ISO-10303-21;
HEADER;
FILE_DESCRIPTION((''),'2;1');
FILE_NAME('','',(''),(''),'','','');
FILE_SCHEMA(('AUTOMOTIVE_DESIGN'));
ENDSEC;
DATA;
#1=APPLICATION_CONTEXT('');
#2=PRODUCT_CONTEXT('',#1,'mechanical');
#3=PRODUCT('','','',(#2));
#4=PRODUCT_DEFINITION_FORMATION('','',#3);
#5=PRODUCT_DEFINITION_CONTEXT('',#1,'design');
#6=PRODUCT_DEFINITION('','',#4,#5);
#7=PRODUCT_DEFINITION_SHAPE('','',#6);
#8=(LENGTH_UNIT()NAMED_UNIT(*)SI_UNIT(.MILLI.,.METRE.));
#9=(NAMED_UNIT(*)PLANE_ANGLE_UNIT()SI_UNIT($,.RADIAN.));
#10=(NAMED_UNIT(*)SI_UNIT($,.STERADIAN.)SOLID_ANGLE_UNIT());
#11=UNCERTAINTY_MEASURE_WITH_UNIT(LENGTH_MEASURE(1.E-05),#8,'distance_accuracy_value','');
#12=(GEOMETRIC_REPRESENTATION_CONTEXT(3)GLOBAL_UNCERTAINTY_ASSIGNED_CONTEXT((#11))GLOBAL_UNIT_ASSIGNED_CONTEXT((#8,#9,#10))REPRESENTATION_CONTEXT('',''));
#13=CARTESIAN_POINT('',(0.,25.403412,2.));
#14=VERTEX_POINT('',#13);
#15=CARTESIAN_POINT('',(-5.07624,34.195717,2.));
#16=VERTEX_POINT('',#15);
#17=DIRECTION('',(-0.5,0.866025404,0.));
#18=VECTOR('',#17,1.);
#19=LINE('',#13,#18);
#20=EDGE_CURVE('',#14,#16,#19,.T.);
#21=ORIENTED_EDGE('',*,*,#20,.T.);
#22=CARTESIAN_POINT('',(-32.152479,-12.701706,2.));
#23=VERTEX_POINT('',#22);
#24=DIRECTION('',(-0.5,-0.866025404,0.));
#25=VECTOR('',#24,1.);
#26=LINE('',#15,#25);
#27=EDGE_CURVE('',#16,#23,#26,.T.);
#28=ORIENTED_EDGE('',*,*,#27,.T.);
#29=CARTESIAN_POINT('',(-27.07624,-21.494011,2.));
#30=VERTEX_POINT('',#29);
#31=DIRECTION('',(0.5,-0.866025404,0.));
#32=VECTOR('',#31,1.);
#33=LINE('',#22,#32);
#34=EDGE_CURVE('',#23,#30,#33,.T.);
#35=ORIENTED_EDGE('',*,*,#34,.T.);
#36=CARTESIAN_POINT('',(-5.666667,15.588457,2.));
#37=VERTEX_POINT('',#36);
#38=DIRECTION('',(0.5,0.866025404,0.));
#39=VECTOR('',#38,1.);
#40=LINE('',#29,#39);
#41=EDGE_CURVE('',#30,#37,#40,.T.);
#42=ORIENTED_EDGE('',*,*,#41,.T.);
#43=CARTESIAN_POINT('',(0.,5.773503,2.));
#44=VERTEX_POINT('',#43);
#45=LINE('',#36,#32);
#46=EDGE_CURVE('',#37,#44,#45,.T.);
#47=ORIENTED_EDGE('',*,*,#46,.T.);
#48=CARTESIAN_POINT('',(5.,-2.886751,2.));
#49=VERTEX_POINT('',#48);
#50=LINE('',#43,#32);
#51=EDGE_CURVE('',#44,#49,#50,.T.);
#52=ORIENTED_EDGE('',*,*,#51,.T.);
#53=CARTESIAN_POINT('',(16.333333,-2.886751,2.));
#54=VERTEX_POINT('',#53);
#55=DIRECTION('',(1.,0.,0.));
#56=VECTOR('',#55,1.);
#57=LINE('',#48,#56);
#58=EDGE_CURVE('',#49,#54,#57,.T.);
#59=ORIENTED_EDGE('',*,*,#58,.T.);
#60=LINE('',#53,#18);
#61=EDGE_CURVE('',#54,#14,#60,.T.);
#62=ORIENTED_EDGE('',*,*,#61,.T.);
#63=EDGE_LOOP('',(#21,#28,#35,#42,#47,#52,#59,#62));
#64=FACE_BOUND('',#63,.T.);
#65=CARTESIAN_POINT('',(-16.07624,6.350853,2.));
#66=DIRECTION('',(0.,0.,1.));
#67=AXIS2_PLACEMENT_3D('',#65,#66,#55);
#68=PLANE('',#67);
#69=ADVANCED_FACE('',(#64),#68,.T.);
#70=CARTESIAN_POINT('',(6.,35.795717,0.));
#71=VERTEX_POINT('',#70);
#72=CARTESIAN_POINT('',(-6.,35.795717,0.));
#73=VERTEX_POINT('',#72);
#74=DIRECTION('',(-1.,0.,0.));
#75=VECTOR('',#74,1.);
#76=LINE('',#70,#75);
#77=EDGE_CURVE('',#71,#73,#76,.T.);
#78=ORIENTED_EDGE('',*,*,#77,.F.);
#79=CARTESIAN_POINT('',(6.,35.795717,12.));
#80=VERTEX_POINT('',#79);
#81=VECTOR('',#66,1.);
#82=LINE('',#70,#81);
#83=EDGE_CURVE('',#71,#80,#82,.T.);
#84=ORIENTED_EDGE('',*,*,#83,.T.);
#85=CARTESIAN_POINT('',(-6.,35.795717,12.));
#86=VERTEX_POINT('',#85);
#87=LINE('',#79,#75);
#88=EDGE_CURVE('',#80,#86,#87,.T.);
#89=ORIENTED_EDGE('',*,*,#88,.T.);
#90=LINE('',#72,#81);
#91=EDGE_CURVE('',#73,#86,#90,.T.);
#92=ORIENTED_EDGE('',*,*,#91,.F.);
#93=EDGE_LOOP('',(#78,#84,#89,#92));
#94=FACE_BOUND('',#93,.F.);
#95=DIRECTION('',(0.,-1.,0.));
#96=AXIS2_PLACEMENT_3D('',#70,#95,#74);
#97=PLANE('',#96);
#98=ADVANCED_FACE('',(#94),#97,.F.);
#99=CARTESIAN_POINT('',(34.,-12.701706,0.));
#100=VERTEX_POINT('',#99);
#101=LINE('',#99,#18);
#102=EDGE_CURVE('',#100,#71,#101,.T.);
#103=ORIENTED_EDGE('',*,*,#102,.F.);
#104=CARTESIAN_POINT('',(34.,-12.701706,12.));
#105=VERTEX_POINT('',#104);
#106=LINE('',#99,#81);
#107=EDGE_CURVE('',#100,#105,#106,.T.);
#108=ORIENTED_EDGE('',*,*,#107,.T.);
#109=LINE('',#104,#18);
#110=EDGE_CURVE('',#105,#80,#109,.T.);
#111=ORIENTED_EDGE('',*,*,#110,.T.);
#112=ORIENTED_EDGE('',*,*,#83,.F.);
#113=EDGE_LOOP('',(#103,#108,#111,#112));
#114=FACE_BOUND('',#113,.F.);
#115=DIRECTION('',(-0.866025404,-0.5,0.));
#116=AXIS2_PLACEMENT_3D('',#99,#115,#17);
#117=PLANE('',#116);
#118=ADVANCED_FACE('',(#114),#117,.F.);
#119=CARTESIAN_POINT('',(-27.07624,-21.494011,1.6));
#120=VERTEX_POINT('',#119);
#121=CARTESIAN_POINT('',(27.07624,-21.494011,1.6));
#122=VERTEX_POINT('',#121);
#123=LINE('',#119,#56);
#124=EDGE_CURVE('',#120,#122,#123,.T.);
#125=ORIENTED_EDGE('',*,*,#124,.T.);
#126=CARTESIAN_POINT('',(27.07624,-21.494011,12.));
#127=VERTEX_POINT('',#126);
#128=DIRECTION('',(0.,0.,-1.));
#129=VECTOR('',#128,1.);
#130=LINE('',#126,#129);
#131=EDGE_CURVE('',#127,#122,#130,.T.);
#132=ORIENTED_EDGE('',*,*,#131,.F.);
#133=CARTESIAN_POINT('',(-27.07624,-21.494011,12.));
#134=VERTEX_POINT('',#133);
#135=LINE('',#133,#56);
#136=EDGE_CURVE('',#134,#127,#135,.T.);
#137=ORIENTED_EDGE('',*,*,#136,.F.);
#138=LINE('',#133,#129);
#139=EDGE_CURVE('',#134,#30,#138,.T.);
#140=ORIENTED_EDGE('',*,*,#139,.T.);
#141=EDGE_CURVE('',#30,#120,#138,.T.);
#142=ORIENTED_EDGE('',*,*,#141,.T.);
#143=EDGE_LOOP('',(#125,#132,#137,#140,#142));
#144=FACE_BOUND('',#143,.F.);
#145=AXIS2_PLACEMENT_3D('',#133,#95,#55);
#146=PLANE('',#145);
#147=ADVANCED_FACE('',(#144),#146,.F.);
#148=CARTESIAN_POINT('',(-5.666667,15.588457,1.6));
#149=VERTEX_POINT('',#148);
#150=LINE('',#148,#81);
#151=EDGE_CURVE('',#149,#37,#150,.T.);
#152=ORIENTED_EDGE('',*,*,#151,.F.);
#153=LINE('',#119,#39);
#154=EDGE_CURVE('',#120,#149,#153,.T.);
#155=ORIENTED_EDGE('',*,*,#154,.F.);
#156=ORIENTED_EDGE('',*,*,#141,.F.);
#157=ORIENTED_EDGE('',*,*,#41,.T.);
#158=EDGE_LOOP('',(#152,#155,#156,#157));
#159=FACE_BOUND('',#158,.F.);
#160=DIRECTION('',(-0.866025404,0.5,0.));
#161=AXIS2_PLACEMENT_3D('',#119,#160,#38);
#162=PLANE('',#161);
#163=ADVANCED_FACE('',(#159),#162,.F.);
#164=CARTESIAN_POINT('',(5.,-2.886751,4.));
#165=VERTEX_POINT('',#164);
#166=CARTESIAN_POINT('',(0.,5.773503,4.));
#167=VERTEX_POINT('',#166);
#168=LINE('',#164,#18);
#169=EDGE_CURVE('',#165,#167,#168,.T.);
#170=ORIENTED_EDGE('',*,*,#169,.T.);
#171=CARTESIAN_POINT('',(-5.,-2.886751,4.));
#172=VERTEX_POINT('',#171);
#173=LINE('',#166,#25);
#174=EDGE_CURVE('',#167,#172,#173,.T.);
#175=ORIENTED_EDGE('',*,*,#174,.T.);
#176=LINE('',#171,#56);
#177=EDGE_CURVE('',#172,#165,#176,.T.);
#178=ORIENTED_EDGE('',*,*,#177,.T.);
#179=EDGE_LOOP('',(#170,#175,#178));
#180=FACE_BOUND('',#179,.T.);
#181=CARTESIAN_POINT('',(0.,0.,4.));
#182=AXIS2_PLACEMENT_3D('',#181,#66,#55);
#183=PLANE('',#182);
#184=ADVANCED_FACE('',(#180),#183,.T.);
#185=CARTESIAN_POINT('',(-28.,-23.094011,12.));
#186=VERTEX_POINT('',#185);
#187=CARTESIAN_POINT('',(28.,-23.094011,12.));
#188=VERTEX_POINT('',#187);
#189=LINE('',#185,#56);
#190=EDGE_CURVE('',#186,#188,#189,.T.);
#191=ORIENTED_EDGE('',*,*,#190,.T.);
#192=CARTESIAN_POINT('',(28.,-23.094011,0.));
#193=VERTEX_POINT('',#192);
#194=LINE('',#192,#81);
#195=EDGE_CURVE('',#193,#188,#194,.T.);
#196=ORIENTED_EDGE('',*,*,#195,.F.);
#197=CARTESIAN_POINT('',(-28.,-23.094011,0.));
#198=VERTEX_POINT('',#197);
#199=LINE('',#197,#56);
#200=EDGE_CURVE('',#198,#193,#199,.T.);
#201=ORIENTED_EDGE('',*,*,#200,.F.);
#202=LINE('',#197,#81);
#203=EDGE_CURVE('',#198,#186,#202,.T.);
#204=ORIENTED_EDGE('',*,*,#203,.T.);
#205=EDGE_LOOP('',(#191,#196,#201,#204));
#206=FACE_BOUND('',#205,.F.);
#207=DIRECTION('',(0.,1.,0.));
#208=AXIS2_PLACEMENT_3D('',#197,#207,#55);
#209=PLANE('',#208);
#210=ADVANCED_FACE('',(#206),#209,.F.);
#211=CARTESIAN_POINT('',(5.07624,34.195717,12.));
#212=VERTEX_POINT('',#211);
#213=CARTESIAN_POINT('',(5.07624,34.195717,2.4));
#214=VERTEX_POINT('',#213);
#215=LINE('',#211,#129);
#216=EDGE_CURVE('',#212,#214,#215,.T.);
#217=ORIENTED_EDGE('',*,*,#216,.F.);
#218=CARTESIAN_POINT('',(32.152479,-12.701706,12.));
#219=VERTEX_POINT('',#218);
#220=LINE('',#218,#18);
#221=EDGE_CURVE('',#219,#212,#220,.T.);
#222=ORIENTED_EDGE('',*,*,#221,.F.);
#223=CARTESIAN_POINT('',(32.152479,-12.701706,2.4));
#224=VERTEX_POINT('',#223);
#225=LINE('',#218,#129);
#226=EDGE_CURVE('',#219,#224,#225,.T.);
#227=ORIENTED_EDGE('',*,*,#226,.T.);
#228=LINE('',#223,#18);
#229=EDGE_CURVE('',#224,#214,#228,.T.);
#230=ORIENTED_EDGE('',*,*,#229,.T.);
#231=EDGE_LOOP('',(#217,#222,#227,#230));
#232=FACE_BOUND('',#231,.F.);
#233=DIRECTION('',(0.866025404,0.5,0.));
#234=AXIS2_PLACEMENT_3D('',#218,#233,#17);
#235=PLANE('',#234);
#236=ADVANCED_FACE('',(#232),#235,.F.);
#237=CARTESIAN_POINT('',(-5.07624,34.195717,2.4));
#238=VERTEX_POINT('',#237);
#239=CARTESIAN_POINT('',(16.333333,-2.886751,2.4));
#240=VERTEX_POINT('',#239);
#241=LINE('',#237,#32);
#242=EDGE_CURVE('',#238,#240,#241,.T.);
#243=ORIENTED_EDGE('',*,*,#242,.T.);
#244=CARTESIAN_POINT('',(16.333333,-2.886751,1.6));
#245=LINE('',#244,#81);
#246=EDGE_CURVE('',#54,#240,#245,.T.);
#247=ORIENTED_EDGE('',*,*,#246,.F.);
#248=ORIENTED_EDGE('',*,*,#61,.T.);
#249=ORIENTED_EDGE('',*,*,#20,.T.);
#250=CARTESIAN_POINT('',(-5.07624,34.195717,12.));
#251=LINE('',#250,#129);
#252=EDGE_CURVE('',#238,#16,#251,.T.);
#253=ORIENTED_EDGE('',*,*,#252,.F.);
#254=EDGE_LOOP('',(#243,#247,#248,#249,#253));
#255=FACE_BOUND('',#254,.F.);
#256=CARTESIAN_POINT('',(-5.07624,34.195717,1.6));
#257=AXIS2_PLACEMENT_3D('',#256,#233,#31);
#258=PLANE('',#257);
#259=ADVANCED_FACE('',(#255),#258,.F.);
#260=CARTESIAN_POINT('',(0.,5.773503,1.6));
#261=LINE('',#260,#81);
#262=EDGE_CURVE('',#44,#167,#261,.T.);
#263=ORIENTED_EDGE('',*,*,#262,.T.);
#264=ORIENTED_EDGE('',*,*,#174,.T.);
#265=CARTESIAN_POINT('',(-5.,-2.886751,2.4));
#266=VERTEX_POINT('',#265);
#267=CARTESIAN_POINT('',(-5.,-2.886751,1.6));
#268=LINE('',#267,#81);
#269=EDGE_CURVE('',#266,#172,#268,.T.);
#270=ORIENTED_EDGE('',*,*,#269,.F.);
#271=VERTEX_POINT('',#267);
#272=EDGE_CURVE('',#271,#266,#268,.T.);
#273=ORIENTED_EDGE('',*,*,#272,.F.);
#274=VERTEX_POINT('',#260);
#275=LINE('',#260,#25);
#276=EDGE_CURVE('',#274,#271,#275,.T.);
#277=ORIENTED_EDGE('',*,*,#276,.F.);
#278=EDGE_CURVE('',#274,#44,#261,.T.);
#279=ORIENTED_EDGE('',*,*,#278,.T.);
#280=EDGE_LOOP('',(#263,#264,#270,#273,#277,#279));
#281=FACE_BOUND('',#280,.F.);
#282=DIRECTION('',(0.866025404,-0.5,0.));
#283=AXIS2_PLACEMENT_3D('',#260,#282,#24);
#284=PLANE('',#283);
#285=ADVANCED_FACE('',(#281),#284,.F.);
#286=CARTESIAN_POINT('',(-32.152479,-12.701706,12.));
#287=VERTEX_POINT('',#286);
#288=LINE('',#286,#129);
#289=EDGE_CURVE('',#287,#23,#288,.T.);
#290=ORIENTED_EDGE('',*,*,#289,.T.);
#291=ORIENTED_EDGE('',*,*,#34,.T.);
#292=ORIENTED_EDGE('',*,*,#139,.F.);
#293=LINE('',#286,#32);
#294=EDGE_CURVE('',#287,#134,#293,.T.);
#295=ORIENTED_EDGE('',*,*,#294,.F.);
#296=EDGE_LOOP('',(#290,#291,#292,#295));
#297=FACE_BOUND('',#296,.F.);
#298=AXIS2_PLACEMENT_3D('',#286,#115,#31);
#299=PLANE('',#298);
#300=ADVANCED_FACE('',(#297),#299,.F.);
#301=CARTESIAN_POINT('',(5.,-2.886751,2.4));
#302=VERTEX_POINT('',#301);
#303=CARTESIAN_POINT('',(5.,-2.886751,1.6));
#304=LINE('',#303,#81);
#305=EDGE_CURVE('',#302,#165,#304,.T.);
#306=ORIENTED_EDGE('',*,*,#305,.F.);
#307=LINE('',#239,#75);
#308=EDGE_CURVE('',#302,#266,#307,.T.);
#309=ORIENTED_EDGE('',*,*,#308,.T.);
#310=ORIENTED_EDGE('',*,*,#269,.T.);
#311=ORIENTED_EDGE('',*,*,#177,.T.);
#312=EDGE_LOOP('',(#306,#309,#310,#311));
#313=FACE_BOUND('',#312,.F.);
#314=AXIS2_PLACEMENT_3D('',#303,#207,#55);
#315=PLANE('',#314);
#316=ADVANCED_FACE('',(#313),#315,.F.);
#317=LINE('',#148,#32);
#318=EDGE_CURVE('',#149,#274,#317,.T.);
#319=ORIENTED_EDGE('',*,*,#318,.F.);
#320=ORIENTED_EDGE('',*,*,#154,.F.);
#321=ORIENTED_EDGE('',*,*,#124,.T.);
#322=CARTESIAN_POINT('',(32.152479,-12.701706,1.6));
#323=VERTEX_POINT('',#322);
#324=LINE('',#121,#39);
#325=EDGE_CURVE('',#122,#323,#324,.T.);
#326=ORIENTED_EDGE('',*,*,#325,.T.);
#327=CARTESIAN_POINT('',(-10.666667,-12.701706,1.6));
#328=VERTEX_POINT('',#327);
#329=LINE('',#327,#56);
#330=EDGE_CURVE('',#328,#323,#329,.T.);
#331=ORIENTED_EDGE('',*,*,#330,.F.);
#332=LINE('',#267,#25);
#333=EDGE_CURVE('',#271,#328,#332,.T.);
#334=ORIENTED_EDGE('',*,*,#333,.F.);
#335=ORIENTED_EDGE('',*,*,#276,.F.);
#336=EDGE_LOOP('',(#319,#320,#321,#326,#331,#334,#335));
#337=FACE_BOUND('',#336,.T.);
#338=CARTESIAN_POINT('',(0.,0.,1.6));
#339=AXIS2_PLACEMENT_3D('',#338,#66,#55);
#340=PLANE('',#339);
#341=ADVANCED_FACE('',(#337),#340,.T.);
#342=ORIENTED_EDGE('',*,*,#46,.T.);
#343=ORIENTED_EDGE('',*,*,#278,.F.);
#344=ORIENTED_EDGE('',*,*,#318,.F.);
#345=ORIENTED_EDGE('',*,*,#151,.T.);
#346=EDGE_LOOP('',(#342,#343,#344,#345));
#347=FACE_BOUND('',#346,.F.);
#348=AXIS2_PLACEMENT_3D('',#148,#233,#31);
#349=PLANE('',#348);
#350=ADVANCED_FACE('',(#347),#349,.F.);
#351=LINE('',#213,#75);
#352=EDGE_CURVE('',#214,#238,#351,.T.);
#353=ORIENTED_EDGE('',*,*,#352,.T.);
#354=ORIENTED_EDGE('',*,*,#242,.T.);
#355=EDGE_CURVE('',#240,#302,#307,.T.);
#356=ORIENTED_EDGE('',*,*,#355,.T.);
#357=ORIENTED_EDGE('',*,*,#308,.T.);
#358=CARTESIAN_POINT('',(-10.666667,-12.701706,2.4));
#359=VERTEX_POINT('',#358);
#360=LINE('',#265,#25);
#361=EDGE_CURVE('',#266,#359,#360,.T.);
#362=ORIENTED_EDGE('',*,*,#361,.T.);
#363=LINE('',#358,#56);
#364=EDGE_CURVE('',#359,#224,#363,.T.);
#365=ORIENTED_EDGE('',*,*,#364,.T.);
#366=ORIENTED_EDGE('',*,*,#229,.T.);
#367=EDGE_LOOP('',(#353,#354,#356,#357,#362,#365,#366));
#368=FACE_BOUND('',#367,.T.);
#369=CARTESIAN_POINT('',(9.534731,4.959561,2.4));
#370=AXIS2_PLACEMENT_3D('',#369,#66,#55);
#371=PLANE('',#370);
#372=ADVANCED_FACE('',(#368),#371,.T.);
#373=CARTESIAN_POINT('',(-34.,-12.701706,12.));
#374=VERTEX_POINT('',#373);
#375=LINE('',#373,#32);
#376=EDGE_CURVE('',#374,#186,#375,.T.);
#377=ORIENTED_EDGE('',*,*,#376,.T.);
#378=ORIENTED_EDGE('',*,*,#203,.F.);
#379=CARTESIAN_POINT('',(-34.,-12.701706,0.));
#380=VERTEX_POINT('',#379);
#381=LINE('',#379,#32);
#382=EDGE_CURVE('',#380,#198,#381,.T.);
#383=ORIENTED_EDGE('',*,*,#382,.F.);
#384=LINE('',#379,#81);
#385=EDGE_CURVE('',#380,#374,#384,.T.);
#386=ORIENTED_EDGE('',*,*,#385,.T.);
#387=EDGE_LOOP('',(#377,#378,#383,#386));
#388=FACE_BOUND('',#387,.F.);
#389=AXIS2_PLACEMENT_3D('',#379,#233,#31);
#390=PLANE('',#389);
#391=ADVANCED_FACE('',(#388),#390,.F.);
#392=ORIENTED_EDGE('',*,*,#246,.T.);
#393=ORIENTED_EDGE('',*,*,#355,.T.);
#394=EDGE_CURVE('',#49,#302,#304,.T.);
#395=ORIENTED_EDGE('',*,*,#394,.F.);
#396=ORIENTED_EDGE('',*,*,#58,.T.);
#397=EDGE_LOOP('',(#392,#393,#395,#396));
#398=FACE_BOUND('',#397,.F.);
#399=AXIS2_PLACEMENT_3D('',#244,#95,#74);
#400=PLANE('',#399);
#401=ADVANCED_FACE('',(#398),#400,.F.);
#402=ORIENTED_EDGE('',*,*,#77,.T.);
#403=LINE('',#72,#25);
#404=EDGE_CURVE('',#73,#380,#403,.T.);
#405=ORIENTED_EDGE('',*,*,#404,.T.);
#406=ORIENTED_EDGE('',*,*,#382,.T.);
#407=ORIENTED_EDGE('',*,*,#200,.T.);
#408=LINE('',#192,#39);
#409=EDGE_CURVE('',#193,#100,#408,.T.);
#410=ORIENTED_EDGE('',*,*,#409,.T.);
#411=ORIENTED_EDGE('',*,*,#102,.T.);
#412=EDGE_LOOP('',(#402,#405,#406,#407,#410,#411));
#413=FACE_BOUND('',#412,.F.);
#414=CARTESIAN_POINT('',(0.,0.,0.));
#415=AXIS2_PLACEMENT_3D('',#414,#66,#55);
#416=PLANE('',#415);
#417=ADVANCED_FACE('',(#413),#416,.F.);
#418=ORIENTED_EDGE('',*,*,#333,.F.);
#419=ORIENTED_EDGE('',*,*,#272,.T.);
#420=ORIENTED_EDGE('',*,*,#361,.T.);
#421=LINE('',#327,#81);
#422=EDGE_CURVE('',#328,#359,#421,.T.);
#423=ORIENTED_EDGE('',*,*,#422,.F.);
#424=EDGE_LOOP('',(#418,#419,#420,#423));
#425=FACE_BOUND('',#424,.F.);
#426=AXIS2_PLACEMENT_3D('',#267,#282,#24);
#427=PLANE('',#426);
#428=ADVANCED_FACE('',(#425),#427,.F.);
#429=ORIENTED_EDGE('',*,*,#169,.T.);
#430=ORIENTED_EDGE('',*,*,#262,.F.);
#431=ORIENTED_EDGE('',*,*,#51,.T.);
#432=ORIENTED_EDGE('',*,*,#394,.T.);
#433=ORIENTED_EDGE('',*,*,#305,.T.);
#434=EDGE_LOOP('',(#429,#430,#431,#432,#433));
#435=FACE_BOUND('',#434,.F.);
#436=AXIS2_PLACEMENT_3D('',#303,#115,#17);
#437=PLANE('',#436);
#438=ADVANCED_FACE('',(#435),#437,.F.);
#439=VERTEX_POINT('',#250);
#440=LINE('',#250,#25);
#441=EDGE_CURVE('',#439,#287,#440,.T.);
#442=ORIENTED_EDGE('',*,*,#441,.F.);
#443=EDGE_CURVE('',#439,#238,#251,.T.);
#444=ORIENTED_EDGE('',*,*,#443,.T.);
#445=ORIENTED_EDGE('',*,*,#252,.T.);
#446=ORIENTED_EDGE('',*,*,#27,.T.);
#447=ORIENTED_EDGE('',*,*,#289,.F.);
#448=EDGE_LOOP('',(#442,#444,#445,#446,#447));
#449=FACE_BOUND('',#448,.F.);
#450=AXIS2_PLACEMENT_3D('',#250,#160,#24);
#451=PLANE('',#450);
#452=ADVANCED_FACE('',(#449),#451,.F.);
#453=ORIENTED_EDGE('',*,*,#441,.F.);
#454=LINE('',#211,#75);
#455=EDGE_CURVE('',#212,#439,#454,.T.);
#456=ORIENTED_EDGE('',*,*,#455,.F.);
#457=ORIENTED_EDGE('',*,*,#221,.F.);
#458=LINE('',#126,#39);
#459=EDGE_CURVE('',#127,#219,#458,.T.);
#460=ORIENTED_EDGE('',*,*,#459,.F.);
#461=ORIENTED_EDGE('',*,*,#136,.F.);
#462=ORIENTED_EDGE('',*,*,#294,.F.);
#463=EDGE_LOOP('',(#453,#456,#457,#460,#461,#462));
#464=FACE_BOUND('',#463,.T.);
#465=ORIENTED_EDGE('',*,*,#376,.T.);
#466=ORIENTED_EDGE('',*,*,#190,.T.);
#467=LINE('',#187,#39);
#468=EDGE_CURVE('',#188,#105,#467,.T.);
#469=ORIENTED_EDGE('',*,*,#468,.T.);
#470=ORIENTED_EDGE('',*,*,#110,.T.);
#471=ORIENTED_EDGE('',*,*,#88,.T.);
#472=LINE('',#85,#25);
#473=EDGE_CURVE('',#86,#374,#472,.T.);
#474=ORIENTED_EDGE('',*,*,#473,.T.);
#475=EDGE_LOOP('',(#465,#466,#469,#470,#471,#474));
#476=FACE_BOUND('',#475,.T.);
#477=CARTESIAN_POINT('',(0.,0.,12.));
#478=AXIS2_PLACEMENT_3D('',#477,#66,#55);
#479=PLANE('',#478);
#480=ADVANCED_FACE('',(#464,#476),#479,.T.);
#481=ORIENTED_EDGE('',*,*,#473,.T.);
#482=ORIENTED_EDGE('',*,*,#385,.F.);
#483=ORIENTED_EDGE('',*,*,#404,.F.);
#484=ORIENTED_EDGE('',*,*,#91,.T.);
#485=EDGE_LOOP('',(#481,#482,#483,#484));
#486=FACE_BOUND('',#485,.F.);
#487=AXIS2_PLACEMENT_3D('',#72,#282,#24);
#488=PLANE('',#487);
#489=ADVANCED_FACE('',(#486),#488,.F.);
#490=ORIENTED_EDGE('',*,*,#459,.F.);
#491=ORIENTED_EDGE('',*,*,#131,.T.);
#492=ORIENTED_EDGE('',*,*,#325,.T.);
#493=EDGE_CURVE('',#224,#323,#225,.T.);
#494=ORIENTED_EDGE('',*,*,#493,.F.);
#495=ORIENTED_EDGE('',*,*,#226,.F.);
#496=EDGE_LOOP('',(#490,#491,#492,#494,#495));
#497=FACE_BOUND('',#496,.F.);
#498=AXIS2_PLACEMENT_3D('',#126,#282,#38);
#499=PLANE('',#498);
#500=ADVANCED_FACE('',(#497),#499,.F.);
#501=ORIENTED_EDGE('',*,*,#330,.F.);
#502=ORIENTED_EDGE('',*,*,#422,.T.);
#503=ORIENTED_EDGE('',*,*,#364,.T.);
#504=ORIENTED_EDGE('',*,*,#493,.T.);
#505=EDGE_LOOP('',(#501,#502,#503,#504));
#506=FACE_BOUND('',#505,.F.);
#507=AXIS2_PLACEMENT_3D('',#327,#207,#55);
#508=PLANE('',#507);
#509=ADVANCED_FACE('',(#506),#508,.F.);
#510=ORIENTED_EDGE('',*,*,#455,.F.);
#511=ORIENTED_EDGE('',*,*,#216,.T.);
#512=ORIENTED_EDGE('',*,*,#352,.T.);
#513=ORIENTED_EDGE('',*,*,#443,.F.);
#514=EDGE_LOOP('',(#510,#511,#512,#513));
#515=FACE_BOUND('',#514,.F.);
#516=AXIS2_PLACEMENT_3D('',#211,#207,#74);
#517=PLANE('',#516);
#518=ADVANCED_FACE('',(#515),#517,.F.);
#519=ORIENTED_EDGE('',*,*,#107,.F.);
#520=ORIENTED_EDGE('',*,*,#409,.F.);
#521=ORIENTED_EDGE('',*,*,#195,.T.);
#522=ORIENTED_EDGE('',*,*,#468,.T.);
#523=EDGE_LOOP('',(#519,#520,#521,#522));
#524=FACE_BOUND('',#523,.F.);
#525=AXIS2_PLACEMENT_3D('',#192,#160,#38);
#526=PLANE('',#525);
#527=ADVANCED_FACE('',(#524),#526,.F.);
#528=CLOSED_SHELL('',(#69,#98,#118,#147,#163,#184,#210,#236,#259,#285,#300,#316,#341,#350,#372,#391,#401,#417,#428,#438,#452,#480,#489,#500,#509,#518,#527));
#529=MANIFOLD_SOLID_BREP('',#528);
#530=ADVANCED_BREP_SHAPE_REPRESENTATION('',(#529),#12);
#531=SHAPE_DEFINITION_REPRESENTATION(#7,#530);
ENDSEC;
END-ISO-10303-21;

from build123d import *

# Parameters (mm, degrees)
F4_DEPTH  = 12
F6_DEPTH  = 10.4
F8_DEPTH  = 2.4
F10_DEPTH = 0.4
F12_DEPTH = 0.8


with BuildPart() as f4:
    # F3 (on Top) → F4 (new body)
    with BuildSketch(Plane.XY):
        Polygon((-28, -23.0940107676), (28, -23.0940107676), (34, -12.7017059222), (6, 35.7957166898), (-6, 35.7957166898), (-34, -12.7017059222), align=None)
    extrude(amount=F4_DEPTH)

    # F5 (on face) → F6 (cut)
    with BuildSketch(Plane.XY.offset(12)):
        Polygon((32.1524791386, -12.7017059222), (5.0762395693, 34.1957166898), (-5.0762395693, 34.1957166898), (-32.1524791386, -12.7017059222), (-27.0762395693, -21.4940107676), (27.0762395693, -21.4940107676), align=None)
    extrude(amount=-F6_DEPTH, mode=Mode.SUBTRACT)

    # F7 (on face) → F8 (join)
    with BuildSketch(Plane.XY.offset(1.6)):
        Polygon((-5, -2.8867513459), (5, -2.8867513459), (0, 5.7735026919), align=None)
    extrude(amount=F8_DEPTH)

    # F9 (on face) → F10 (join)
    with BuildSketch(Plane.XY.offset(1.6)):
        Polygon((0, 25.4034118443), (-5.0762395693, 34.1957166898), (-32.1524791386, -12.7017059222), (-27.0762395693, -21.4940107676), (-5.6666666667, 15.5884572681), align=None)
        Polygon((16.3333333333, -2.8867513459), (0, 25.4034118443), (-5.6666666667, 15.5884572681), (0, 5.7735026919), (5, -2.8867513459), align=None)
    extrude(amount=F10_DEPTH)

    # F11 (on face) → F12 (join)
    with BuildSketch(Plane.XY.offset(1.6)):
        Polygon((-10.6666666667, -12.7017059222), (32.1524791386, -12.7017059222), (5.0762395693, 34.1957166898), (-5.0762395693, 34.1957166898), (16.3333333333, -2.8867513459), (-5, -2.8867513459), align=None)
    extrude(amount=F12_DEPTH)


solid = f4.part
